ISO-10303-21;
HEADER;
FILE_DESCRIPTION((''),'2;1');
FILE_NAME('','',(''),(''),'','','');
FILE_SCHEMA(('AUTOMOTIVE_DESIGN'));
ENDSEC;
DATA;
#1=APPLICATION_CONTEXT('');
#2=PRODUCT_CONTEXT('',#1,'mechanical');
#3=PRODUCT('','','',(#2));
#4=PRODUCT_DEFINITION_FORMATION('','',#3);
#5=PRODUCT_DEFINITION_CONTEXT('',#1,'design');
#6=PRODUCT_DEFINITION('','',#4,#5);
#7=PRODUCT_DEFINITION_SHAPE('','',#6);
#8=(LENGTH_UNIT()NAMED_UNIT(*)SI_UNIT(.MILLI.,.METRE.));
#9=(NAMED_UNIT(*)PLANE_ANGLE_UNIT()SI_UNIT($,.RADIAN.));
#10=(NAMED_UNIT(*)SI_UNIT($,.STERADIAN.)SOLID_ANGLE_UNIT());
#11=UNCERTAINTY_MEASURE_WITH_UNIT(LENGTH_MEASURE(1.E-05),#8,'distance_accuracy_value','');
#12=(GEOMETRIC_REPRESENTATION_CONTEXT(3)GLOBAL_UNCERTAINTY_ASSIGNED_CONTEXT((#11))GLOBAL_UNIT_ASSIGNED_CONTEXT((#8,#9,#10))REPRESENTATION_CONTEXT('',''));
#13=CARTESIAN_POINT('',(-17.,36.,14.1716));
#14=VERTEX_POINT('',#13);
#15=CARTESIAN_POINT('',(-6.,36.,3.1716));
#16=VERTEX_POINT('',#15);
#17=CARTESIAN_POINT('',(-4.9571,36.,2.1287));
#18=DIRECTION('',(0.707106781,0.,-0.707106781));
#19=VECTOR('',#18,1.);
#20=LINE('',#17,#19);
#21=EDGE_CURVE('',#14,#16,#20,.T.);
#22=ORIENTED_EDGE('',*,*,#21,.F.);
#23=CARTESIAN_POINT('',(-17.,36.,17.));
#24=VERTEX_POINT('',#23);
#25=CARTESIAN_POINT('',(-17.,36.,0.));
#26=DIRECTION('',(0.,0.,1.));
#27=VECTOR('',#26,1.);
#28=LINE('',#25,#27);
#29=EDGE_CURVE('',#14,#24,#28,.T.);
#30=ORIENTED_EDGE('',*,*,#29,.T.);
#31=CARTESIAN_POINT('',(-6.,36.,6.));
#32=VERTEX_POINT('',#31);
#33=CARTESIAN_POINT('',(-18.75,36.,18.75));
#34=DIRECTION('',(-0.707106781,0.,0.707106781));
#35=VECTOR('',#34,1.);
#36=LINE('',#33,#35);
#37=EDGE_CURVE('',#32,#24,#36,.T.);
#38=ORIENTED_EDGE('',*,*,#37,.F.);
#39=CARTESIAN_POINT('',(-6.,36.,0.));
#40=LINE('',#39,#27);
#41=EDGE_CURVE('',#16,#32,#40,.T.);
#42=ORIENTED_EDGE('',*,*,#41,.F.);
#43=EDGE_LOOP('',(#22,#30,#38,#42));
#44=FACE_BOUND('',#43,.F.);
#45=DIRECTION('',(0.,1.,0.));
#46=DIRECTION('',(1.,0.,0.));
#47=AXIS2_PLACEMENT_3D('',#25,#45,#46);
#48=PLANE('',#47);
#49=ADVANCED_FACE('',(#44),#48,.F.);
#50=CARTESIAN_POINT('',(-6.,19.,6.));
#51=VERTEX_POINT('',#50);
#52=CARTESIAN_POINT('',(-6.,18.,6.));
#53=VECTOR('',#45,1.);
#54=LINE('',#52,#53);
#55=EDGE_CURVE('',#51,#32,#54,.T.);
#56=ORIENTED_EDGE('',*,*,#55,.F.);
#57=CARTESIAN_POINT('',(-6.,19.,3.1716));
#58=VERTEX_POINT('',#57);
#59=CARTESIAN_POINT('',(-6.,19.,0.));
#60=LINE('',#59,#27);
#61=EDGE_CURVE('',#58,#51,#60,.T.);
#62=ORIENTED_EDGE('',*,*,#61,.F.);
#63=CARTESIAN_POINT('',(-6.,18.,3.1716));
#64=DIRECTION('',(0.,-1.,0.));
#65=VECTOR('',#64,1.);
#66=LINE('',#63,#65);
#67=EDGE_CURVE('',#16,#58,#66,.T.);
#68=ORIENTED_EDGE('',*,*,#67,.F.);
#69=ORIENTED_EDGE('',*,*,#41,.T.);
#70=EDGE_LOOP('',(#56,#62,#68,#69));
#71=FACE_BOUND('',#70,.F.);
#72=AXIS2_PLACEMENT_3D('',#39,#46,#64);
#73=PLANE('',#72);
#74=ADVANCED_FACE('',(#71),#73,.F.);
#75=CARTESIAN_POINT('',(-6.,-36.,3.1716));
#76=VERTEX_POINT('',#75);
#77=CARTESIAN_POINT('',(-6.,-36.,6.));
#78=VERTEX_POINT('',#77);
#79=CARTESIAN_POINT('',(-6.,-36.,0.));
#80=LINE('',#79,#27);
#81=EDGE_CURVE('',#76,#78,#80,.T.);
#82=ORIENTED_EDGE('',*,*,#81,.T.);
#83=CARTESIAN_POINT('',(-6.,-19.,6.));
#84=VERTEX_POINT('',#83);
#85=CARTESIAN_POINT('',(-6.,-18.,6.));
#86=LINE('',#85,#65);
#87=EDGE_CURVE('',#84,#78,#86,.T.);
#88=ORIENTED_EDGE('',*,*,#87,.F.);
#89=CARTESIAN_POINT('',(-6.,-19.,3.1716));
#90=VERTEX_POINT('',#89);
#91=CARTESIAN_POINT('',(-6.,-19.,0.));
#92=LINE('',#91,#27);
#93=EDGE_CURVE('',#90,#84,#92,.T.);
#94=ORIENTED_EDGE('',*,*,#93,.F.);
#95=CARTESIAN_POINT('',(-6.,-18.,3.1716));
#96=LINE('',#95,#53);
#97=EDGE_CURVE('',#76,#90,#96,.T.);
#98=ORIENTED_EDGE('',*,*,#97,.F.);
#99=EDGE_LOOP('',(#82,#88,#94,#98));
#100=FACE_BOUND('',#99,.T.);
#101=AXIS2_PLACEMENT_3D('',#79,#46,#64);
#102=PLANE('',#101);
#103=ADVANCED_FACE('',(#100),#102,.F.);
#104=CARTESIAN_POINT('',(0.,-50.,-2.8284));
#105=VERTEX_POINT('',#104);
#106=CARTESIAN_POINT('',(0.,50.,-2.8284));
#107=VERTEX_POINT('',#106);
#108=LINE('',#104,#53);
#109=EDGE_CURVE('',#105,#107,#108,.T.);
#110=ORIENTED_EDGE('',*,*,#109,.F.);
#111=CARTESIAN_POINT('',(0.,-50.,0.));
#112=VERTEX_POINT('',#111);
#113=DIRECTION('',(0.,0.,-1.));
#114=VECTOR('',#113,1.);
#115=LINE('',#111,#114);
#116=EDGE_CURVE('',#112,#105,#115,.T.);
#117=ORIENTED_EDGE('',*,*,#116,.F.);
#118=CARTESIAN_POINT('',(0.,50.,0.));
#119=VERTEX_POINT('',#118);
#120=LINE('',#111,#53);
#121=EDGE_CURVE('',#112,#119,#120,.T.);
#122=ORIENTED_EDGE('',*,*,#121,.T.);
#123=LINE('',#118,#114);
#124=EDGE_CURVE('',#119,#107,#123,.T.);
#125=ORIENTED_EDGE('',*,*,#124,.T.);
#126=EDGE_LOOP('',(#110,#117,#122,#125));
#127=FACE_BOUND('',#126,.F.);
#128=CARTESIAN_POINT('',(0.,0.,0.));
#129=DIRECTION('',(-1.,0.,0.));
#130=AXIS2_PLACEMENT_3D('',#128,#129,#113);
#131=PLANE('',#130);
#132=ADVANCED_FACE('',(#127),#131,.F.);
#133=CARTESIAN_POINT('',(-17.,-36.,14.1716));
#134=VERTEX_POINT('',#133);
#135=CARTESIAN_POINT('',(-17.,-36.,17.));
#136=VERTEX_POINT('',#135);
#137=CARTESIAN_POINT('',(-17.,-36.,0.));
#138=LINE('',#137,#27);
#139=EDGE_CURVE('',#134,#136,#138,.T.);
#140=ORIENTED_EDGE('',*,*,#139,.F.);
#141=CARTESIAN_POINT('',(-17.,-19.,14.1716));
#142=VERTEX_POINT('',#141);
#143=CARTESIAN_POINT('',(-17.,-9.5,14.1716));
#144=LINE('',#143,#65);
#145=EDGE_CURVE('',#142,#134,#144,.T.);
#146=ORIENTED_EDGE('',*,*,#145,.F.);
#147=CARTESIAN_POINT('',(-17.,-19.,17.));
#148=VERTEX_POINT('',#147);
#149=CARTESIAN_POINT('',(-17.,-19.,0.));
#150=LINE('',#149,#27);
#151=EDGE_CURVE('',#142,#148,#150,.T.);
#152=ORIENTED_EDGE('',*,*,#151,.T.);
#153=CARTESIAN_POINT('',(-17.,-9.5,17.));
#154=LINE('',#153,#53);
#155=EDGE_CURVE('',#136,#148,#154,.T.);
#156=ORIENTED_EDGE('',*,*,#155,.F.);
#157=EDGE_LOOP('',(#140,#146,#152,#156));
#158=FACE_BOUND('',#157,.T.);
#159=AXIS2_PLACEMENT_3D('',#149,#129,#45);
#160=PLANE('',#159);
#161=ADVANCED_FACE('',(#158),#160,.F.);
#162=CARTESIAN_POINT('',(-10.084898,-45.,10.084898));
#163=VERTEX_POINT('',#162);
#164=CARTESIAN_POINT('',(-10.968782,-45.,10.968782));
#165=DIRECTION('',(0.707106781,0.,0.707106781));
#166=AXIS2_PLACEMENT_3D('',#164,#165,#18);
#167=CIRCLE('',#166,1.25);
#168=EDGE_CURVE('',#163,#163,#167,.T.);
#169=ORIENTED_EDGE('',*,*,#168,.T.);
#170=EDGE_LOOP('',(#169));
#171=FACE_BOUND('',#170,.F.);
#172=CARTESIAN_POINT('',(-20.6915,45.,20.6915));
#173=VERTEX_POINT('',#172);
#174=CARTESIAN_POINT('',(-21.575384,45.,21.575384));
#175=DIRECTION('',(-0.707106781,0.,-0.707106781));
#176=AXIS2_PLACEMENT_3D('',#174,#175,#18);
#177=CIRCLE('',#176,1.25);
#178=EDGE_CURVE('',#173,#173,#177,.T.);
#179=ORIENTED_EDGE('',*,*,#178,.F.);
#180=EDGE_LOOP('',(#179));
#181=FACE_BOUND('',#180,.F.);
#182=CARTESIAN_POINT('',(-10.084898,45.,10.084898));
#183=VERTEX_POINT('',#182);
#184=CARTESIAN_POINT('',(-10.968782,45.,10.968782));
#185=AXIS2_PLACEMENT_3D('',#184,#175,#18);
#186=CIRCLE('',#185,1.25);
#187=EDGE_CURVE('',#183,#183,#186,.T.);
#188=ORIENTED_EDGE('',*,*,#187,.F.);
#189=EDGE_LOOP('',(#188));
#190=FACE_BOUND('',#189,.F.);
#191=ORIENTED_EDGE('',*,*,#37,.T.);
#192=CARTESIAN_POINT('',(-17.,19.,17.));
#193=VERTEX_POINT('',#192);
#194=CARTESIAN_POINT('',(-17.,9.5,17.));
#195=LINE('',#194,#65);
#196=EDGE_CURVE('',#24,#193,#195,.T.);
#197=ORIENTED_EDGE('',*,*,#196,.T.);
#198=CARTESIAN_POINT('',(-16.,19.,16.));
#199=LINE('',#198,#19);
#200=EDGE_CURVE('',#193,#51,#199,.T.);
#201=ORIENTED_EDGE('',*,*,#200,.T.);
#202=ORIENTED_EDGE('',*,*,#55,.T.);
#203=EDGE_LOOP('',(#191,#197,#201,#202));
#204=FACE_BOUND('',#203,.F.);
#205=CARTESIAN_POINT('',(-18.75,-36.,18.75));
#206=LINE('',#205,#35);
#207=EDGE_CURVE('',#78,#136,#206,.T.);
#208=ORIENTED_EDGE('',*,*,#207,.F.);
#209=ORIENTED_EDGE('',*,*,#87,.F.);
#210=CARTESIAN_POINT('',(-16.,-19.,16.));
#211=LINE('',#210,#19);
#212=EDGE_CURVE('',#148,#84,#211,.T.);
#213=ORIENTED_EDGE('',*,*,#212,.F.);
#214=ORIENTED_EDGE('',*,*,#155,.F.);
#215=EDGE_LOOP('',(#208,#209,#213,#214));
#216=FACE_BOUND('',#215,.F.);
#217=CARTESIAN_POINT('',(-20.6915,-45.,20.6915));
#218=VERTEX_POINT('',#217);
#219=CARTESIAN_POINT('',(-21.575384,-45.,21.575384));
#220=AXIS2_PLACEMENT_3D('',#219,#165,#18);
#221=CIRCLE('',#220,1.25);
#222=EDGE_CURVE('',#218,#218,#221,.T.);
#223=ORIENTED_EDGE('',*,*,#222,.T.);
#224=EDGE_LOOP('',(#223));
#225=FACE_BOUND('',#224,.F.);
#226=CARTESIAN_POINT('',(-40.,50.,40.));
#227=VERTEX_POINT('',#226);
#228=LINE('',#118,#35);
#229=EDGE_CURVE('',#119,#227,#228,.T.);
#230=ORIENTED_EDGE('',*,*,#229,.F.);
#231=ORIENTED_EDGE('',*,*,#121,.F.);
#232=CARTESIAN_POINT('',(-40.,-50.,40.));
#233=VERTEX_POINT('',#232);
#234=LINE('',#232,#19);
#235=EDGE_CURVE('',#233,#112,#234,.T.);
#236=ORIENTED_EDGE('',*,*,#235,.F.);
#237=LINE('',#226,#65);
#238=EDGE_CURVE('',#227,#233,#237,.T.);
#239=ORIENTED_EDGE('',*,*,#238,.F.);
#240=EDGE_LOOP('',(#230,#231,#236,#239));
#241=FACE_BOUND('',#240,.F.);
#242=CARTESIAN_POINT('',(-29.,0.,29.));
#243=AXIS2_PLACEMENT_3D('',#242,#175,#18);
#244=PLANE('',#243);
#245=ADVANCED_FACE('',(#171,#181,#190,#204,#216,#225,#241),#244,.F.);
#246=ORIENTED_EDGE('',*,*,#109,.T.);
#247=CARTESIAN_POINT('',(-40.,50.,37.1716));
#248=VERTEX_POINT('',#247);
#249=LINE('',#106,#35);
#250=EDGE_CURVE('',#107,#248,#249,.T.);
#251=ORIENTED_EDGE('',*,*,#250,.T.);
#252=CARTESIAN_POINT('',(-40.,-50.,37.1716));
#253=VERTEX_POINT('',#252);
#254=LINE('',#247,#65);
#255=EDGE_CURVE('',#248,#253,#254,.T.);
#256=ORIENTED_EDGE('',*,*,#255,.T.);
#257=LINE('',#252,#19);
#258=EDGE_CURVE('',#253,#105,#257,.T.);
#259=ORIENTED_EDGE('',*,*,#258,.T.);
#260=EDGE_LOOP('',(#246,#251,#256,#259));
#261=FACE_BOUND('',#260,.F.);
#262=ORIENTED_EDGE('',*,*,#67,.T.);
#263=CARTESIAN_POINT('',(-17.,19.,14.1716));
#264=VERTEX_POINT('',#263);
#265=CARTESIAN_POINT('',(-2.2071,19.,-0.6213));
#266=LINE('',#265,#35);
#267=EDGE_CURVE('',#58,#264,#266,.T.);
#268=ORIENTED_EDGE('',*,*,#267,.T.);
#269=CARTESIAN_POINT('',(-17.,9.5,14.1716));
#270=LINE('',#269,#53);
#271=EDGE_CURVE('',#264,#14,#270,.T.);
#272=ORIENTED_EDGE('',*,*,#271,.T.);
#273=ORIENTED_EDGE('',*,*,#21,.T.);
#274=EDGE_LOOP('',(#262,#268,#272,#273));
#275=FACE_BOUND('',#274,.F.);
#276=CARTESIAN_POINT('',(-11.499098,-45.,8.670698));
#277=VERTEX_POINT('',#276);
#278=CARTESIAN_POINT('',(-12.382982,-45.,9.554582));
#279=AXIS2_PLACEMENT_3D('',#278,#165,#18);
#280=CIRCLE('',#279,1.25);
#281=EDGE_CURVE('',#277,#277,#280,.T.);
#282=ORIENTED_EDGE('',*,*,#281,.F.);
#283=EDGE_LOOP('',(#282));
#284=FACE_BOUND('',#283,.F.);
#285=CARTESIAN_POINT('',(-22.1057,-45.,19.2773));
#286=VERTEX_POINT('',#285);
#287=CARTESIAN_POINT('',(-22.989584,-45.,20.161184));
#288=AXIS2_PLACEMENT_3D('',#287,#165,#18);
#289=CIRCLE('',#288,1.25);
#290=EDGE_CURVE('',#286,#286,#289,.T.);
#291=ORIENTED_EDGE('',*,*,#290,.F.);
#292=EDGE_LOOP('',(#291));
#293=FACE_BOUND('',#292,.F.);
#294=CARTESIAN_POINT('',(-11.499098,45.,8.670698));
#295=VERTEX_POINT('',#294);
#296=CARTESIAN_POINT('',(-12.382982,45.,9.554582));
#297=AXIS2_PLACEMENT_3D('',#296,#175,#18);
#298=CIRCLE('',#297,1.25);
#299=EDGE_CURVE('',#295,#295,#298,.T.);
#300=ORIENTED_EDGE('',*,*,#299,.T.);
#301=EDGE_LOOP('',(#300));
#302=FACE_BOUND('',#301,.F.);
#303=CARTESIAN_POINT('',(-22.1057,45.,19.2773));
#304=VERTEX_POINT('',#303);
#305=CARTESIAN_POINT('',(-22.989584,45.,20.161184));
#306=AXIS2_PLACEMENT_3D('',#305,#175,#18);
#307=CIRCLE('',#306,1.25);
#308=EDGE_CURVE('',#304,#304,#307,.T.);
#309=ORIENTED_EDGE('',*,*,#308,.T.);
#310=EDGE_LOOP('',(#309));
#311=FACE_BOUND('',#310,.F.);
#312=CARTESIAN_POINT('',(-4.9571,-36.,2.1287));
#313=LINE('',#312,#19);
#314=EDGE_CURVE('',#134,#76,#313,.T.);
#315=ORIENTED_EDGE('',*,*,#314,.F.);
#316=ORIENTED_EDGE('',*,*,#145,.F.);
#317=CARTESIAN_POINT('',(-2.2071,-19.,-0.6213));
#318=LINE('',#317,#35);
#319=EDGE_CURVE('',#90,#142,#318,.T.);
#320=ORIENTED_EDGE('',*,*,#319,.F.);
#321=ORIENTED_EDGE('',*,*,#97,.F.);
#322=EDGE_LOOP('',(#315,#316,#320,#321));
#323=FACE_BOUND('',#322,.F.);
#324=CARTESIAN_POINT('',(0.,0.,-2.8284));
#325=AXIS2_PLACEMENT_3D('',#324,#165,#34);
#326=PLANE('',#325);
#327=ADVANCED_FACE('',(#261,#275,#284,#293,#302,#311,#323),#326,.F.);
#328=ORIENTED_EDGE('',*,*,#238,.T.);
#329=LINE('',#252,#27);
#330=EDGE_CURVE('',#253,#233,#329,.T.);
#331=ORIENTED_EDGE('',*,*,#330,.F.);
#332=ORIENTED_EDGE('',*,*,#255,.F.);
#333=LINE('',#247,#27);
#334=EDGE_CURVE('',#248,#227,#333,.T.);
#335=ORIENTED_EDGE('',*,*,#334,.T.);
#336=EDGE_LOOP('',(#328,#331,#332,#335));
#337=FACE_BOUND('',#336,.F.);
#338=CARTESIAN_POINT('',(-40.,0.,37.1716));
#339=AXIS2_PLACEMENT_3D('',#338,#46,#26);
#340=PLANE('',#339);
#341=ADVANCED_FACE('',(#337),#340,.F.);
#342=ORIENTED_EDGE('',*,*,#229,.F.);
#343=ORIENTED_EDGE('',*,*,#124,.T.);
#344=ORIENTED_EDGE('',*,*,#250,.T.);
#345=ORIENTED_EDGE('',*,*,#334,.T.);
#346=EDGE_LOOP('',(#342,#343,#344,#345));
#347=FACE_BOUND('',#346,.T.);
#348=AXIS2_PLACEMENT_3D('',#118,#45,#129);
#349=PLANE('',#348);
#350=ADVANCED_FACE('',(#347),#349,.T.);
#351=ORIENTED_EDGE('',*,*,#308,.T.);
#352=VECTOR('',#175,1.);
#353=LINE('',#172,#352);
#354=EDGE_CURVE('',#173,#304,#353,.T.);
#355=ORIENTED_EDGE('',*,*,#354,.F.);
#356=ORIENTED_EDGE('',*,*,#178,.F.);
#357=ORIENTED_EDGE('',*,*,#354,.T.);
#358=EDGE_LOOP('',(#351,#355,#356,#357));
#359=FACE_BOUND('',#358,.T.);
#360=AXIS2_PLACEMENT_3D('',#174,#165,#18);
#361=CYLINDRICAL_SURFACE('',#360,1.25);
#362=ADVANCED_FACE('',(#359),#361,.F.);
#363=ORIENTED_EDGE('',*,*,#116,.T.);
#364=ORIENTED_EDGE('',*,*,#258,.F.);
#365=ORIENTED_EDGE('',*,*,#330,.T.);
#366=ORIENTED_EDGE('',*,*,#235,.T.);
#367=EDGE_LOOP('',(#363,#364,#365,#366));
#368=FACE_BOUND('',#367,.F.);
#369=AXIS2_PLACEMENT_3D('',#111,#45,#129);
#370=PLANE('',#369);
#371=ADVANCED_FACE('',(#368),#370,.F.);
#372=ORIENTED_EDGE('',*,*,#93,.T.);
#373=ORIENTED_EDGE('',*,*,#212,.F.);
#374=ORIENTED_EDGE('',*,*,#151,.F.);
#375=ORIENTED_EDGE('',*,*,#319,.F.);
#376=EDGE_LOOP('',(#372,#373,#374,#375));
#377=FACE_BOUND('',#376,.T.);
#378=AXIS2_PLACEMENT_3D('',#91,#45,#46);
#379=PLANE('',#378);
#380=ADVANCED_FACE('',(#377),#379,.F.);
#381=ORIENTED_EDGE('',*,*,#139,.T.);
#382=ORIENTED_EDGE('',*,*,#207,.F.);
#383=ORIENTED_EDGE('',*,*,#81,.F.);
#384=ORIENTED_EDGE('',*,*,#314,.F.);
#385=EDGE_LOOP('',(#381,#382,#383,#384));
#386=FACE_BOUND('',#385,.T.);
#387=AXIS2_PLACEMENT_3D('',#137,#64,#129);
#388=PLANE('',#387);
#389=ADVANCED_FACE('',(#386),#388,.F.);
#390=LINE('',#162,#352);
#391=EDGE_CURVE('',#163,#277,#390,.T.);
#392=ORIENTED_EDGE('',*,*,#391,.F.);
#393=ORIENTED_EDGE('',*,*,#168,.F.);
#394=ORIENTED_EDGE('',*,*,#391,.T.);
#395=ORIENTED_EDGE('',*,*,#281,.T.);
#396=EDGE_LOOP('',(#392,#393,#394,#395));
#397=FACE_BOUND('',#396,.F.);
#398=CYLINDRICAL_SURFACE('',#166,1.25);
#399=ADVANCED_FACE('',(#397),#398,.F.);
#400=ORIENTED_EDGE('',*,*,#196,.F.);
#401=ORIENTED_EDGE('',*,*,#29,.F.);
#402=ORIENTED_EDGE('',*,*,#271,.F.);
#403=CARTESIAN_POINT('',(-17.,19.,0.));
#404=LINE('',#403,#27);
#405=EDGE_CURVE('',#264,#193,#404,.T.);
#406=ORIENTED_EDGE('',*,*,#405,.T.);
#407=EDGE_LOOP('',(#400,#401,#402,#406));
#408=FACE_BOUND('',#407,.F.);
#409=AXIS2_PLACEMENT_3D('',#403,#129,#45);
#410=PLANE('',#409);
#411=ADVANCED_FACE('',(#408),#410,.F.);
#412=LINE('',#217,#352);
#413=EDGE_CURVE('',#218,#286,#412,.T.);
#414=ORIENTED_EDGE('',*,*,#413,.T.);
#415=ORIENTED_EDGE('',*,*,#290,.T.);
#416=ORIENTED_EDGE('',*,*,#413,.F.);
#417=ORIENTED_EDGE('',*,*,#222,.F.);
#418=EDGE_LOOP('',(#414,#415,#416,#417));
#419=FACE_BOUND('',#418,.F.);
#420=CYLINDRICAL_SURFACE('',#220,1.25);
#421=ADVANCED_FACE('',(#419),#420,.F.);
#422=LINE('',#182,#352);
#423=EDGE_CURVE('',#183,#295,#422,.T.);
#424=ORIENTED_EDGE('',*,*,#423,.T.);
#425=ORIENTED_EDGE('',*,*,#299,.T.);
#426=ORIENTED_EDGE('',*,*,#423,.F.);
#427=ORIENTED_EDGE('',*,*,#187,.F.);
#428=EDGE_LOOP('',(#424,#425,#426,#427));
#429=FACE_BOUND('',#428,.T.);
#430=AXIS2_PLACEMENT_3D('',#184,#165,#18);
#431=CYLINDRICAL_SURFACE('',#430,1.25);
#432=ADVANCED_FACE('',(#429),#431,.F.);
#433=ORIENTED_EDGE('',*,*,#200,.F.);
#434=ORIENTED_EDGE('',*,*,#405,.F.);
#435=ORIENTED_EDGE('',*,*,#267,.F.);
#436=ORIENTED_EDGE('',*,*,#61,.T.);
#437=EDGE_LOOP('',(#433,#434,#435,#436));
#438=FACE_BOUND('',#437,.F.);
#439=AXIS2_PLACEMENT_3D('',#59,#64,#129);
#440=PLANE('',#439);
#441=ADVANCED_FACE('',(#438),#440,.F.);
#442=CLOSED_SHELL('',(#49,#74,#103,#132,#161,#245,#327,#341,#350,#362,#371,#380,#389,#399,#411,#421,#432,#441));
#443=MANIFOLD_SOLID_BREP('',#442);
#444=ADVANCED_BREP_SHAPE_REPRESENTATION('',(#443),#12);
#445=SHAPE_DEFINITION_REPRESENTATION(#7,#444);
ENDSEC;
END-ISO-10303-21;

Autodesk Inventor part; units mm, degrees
ref_plane "YZ Plane" through (0, 0, 0) normal (1, 0, 0) x (0, 1, 0)
ref_plane "XZ Plane" through (0, 0, 0) normal (0, 1, 0) x (-1, 0, 0)
ref_plane "XY Plane" through (0, 0, 0) normal (0, 0, 1) x (1, 0, 0)
sketch "Sketch1" plane through (0, 0, 0) normal (0, 1, 0) x (-1, 0, 0)
  line L0 (0, 0) -> (0, -2.8284)
  line L1 (0, -2.8284) -> (29, 26.1716)
  line L2 (29, 26.1716) -> (29, 29)
  line L3 (29, 29) -> (0, 0)
  line L4 (29, 26.1716) -> (40, 37.1716)
  line L5 (40, 37.1716) -> (40, 40)
  line L6 (40, 40) -> (29, 29)
  dimension "d2" = 29
  dimension "d3" = 45
  dimension "d6" = 2
  dimension "d23" = 11
  dimension "d24" = 45
  dimension "d25" = 45
extrude "Extrusion1" add sketch "Sketch1" along normal mid plane 100 contours L3 L2 L1 L0
sketch "Sketch2" plane through (0, 0, 0) normal (0, 0, 1) x (1, 0, 0)
  line L0 (-17, 36) -> (-6, 36)
  line L1 (-6, 36) -> (-6, 19)
  line L2 (-6, 19) -> (-17, 19)
  line L3 (-17, 19) -> (-17, 36)
  line L4 (0, 50) -> (-29, 50) projected
  line L5 (0, -50) -> (0, 50) projected
  point P0 (0, 0)
  dimension "d7" = 14
  dimension "d8" = 17
  dimension "d9" = 11
  dimension "d11" = 6
extrude "Extrusion2" cut sketch "Sketch2" along normal up to next
mirror "Mirror1" about plane through (0, 0, 0) normal (0, 1, 0) of "Extrusion2"
sketch "Sketch3" plane through (0, -50, 0) normal (0.7071, 0, 0.7071) x (0.7071, 0, -0.7071)
  circle A0 centre (-30.5122, 5) radius 1.25
  circle A1 centre (-15.5122, 5) radius 1.25
  line L0 (-39.0122, 0) -> (-39.0122, 100) projected
  line L1 (-41.0122, 0) -> (-41.0122, 100) projected
  line L2 (0, 0) -> (-41.0122, 0) projected
  point P0 (0, 50)
  dimension "d15" = 5
  dimension "d16" = 2.5
  dimension "d17" = 15
  dimension "d18" = 2.5
  dimension "d19" = 5
  dimension "d20" = 10.5
extrude "Extrusion3" cut sketch "Sketch3" against normal up to next
mirror "Mirror2" about plane through (0, 0, 0) normal (0, 1, 0) of "Extrusion3"
extrude "Extrusion4" add sketch "Sketch1" along normal mid plane 100 contours L6 L5 L4 L2
properties part number "Front_Dluzszy_3"
